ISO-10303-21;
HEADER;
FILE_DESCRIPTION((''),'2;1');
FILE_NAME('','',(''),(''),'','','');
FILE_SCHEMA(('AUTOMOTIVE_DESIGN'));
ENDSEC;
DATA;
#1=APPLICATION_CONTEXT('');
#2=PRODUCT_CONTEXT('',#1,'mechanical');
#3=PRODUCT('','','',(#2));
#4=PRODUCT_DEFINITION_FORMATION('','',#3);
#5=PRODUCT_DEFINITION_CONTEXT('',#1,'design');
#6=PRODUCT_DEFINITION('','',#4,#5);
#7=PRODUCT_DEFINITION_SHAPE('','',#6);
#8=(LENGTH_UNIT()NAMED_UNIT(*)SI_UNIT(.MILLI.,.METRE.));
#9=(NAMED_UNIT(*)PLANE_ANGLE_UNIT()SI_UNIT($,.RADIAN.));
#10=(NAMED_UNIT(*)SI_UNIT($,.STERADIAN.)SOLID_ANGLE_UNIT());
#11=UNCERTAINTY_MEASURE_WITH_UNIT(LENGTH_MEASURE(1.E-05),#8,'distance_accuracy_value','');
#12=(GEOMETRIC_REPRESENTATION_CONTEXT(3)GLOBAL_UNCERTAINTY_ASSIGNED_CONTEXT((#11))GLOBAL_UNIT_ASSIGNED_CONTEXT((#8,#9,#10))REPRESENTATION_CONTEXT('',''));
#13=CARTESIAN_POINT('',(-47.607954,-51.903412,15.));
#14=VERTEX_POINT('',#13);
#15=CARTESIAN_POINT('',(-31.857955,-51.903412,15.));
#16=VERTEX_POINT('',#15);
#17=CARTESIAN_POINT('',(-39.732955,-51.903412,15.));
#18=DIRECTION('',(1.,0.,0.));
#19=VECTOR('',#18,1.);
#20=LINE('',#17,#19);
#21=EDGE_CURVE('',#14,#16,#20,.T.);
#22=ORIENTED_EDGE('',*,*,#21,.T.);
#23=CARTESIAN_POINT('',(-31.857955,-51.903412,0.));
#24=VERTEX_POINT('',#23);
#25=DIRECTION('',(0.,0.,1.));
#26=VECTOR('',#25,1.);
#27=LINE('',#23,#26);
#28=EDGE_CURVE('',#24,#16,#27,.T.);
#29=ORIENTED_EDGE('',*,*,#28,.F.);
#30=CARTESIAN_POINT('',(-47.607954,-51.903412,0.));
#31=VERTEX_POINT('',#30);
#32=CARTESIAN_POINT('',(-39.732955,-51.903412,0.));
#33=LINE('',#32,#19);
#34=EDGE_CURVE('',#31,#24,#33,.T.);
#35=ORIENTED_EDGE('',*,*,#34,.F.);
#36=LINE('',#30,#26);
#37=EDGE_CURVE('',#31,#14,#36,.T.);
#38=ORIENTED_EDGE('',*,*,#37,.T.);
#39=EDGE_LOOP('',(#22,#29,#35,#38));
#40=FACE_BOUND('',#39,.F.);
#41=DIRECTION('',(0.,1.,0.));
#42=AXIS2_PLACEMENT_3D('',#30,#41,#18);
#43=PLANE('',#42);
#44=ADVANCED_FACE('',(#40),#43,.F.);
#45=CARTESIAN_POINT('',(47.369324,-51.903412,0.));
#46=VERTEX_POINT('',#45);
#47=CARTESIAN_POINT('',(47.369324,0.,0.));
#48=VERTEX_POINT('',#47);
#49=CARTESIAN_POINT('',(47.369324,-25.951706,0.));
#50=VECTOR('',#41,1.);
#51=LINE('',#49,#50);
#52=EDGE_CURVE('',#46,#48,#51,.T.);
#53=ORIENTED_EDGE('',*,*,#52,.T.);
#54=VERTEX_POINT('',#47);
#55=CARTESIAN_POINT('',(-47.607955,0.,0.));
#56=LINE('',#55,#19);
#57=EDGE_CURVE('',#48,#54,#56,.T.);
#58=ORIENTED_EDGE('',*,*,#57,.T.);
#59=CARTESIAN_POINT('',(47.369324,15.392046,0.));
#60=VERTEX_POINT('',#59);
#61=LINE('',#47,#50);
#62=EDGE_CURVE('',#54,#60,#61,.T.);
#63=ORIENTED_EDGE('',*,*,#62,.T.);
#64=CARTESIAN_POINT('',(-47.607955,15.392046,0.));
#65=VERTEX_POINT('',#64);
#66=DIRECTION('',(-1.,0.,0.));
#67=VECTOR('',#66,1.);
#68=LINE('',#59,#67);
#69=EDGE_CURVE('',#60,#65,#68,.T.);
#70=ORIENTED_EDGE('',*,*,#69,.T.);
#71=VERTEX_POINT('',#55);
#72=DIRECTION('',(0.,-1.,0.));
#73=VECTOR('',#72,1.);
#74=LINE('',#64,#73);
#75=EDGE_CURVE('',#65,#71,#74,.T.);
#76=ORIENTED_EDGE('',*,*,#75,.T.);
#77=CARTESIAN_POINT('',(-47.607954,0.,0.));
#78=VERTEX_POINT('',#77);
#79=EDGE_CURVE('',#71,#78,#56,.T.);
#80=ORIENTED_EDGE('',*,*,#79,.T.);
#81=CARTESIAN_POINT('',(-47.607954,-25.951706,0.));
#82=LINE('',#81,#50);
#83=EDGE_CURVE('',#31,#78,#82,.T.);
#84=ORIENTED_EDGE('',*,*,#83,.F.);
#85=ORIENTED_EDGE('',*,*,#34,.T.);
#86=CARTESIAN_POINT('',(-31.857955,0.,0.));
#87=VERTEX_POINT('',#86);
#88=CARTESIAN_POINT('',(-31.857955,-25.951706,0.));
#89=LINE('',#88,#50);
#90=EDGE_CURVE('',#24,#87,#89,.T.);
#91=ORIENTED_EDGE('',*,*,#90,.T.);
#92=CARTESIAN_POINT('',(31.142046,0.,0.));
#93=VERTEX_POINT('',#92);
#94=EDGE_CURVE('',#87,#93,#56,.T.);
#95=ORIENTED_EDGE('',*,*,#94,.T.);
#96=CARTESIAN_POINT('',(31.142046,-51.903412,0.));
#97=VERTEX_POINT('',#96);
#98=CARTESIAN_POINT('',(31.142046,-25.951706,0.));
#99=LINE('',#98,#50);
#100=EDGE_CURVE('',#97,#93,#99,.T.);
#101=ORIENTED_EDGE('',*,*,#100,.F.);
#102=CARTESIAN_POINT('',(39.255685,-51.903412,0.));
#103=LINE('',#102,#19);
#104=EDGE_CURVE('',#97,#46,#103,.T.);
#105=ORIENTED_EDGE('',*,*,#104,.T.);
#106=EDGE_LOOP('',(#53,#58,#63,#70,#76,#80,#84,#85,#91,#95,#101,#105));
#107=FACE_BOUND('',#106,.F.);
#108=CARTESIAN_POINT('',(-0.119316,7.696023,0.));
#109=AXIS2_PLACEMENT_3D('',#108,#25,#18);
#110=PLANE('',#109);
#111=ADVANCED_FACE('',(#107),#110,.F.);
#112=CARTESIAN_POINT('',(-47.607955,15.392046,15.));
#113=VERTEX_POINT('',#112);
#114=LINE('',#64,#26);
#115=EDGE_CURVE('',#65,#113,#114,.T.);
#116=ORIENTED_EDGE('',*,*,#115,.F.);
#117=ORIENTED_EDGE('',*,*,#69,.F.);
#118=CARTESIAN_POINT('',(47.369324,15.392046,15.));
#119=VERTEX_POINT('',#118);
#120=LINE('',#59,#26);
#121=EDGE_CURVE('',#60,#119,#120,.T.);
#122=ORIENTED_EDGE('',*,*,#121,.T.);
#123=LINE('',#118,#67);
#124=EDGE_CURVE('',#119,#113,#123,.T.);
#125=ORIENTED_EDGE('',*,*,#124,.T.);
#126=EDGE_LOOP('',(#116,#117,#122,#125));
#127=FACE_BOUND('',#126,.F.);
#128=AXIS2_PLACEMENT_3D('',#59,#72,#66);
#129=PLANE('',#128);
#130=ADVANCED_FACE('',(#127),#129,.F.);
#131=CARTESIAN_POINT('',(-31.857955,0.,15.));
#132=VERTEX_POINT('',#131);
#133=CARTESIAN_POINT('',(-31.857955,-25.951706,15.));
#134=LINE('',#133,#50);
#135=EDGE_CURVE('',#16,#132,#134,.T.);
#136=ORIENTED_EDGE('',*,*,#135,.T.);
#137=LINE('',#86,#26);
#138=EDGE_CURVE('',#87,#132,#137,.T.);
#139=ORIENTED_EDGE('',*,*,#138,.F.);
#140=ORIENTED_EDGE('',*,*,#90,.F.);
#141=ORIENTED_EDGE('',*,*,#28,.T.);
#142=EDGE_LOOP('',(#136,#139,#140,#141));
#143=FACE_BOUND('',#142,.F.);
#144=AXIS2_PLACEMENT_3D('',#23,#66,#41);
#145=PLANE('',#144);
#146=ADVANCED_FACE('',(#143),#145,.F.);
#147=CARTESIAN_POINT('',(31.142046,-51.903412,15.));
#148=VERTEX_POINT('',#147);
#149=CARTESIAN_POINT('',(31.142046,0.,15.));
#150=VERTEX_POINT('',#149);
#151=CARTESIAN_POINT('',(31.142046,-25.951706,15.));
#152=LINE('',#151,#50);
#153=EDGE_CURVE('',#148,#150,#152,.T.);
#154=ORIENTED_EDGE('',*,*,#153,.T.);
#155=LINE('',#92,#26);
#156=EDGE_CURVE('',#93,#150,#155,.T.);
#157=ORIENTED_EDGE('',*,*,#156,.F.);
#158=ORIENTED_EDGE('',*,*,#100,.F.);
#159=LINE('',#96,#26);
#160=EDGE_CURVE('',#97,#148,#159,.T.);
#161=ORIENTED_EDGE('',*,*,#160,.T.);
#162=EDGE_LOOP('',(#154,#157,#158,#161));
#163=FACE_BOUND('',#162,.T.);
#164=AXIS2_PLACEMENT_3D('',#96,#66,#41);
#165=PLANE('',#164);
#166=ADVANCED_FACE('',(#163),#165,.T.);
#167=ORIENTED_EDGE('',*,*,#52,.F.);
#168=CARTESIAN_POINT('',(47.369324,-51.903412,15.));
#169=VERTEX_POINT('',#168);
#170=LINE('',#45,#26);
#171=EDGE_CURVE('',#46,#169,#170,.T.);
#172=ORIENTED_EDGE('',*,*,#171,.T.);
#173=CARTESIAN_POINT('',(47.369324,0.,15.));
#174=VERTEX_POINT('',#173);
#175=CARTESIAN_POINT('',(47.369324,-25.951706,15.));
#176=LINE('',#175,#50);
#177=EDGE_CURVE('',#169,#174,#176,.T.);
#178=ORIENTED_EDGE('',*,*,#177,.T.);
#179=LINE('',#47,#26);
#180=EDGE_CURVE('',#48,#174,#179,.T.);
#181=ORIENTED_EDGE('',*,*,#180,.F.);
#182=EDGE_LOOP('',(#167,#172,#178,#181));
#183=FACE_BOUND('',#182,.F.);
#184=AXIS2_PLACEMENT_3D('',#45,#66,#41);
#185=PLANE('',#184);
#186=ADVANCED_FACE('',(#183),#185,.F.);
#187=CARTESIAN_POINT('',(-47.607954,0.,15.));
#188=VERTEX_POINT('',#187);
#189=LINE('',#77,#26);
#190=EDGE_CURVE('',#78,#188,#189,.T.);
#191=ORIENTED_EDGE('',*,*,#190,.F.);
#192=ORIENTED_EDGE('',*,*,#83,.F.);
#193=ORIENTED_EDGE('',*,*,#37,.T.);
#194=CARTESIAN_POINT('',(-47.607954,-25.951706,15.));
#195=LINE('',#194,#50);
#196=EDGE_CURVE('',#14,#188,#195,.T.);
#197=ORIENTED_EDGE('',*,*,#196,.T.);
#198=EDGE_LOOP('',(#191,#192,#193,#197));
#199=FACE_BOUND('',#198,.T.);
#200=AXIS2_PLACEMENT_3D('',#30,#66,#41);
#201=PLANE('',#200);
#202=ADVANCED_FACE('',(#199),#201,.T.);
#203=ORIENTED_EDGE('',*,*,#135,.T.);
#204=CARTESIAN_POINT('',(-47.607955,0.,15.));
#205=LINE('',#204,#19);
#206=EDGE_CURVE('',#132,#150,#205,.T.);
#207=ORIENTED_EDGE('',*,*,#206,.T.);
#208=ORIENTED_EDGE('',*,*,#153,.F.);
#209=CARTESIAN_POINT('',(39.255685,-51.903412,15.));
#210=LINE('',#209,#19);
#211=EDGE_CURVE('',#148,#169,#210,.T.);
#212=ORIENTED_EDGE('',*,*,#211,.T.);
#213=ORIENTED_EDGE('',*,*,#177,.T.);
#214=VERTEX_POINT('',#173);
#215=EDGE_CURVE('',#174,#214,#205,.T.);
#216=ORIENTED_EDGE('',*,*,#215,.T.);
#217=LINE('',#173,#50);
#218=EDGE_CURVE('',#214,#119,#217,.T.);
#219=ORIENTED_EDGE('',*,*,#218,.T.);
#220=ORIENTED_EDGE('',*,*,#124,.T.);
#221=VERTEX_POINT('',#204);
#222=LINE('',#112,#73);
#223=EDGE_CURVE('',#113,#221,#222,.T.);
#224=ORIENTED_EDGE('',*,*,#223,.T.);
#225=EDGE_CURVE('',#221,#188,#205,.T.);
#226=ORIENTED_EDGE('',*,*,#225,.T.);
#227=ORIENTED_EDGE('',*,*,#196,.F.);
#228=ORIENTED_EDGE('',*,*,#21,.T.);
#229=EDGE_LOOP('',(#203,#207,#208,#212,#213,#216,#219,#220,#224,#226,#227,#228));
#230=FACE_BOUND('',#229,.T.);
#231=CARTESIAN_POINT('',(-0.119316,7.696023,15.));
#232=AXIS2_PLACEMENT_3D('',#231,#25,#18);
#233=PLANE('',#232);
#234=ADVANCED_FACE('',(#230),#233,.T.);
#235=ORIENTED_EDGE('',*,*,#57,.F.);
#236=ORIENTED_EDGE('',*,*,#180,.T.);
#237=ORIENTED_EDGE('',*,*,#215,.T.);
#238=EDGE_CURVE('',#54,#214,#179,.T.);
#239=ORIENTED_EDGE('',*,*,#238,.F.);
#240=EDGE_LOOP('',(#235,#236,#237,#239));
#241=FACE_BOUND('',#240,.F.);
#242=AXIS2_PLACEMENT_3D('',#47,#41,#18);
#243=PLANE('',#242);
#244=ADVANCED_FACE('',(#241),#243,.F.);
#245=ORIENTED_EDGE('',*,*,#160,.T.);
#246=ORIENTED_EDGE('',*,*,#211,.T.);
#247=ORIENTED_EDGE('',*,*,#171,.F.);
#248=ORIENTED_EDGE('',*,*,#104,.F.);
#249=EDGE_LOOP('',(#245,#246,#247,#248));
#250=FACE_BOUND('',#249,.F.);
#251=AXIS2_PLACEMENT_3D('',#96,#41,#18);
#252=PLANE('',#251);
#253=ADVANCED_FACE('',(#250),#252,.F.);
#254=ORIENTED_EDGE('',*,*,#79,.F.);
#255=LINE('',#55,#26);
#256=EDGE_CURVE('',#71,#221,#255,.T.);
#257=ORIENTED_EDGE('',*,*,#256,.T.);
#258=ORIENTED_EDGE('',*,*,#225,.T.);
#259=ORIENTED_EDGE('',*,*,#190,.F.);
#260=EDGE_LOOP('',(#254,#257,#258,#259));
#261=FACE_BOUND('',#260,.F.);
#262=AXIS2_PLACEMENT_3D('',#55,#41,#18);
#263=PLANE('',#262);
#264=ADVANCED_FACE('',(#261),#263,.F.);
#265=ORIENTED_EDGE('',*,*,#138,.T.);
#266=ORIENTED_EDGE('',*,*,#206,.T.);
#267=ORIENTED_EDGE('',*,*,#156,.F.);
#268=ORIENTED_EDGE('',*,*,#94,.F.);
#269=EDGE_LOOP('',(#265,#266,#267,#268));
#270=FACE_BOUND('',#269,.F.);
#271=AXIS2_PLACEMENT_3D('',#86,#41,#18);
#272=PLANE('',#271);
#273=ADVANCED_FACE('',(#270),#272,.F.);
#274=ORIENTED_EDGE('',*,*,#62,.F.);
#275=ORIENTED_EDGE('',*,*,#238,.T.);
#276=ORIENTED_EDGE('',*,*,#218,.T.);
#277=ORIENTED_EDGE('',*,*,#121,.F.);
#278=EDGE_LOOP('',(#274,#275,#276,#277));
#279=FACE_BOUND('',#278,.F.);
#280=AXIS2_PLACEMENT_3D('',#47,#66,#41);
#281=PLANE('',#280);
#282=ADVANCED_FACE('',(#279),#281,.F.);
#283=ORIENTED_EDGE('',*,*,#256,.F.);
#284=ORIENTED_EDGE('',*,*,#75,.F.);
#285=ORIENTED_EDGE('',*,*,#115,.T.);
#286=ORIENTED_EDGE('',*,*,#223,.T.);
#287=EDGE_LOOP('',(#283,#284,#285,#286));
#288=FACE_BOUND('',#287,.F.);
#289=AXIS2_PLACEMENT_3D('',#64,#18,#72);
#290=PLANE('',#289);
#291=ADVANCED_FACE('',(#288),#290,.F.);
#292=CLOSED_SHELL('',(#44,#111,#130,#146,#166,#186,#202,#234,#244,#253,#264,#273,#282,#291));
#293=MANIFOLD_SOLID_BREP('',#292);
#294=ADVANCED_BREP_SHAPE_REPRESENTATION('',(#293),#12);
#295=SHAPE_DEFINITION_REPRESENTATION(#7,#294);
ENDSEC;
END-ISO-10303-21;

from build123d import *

# Parameters (mm, degrees)
F0_W     = 15.749999
F0_H     = 51.903412
F0_W_2   = 16.227277
F1_DEPTH = 15


with BuildPart() as f1:
    # F0 (on Top) → F1 (new body)
    with BuildSketch(Plane.XY):
        Polygon((-47.607955, 15.392046), (-47.607955, 0), (-31.857956, 0), (31.142047, 0), (47.369324, 0), (47.369324, 15.392046), align=None)
        with Locations((-39.732955, -25.951706)):
            Rectangle(F0_W, F0_H)
        with Locations((39.255685, -25.951706)):
            Rectangle(F0_W_2, F0_H)
    extrude(amount=F1_DEPTH)


solid = f1.part
